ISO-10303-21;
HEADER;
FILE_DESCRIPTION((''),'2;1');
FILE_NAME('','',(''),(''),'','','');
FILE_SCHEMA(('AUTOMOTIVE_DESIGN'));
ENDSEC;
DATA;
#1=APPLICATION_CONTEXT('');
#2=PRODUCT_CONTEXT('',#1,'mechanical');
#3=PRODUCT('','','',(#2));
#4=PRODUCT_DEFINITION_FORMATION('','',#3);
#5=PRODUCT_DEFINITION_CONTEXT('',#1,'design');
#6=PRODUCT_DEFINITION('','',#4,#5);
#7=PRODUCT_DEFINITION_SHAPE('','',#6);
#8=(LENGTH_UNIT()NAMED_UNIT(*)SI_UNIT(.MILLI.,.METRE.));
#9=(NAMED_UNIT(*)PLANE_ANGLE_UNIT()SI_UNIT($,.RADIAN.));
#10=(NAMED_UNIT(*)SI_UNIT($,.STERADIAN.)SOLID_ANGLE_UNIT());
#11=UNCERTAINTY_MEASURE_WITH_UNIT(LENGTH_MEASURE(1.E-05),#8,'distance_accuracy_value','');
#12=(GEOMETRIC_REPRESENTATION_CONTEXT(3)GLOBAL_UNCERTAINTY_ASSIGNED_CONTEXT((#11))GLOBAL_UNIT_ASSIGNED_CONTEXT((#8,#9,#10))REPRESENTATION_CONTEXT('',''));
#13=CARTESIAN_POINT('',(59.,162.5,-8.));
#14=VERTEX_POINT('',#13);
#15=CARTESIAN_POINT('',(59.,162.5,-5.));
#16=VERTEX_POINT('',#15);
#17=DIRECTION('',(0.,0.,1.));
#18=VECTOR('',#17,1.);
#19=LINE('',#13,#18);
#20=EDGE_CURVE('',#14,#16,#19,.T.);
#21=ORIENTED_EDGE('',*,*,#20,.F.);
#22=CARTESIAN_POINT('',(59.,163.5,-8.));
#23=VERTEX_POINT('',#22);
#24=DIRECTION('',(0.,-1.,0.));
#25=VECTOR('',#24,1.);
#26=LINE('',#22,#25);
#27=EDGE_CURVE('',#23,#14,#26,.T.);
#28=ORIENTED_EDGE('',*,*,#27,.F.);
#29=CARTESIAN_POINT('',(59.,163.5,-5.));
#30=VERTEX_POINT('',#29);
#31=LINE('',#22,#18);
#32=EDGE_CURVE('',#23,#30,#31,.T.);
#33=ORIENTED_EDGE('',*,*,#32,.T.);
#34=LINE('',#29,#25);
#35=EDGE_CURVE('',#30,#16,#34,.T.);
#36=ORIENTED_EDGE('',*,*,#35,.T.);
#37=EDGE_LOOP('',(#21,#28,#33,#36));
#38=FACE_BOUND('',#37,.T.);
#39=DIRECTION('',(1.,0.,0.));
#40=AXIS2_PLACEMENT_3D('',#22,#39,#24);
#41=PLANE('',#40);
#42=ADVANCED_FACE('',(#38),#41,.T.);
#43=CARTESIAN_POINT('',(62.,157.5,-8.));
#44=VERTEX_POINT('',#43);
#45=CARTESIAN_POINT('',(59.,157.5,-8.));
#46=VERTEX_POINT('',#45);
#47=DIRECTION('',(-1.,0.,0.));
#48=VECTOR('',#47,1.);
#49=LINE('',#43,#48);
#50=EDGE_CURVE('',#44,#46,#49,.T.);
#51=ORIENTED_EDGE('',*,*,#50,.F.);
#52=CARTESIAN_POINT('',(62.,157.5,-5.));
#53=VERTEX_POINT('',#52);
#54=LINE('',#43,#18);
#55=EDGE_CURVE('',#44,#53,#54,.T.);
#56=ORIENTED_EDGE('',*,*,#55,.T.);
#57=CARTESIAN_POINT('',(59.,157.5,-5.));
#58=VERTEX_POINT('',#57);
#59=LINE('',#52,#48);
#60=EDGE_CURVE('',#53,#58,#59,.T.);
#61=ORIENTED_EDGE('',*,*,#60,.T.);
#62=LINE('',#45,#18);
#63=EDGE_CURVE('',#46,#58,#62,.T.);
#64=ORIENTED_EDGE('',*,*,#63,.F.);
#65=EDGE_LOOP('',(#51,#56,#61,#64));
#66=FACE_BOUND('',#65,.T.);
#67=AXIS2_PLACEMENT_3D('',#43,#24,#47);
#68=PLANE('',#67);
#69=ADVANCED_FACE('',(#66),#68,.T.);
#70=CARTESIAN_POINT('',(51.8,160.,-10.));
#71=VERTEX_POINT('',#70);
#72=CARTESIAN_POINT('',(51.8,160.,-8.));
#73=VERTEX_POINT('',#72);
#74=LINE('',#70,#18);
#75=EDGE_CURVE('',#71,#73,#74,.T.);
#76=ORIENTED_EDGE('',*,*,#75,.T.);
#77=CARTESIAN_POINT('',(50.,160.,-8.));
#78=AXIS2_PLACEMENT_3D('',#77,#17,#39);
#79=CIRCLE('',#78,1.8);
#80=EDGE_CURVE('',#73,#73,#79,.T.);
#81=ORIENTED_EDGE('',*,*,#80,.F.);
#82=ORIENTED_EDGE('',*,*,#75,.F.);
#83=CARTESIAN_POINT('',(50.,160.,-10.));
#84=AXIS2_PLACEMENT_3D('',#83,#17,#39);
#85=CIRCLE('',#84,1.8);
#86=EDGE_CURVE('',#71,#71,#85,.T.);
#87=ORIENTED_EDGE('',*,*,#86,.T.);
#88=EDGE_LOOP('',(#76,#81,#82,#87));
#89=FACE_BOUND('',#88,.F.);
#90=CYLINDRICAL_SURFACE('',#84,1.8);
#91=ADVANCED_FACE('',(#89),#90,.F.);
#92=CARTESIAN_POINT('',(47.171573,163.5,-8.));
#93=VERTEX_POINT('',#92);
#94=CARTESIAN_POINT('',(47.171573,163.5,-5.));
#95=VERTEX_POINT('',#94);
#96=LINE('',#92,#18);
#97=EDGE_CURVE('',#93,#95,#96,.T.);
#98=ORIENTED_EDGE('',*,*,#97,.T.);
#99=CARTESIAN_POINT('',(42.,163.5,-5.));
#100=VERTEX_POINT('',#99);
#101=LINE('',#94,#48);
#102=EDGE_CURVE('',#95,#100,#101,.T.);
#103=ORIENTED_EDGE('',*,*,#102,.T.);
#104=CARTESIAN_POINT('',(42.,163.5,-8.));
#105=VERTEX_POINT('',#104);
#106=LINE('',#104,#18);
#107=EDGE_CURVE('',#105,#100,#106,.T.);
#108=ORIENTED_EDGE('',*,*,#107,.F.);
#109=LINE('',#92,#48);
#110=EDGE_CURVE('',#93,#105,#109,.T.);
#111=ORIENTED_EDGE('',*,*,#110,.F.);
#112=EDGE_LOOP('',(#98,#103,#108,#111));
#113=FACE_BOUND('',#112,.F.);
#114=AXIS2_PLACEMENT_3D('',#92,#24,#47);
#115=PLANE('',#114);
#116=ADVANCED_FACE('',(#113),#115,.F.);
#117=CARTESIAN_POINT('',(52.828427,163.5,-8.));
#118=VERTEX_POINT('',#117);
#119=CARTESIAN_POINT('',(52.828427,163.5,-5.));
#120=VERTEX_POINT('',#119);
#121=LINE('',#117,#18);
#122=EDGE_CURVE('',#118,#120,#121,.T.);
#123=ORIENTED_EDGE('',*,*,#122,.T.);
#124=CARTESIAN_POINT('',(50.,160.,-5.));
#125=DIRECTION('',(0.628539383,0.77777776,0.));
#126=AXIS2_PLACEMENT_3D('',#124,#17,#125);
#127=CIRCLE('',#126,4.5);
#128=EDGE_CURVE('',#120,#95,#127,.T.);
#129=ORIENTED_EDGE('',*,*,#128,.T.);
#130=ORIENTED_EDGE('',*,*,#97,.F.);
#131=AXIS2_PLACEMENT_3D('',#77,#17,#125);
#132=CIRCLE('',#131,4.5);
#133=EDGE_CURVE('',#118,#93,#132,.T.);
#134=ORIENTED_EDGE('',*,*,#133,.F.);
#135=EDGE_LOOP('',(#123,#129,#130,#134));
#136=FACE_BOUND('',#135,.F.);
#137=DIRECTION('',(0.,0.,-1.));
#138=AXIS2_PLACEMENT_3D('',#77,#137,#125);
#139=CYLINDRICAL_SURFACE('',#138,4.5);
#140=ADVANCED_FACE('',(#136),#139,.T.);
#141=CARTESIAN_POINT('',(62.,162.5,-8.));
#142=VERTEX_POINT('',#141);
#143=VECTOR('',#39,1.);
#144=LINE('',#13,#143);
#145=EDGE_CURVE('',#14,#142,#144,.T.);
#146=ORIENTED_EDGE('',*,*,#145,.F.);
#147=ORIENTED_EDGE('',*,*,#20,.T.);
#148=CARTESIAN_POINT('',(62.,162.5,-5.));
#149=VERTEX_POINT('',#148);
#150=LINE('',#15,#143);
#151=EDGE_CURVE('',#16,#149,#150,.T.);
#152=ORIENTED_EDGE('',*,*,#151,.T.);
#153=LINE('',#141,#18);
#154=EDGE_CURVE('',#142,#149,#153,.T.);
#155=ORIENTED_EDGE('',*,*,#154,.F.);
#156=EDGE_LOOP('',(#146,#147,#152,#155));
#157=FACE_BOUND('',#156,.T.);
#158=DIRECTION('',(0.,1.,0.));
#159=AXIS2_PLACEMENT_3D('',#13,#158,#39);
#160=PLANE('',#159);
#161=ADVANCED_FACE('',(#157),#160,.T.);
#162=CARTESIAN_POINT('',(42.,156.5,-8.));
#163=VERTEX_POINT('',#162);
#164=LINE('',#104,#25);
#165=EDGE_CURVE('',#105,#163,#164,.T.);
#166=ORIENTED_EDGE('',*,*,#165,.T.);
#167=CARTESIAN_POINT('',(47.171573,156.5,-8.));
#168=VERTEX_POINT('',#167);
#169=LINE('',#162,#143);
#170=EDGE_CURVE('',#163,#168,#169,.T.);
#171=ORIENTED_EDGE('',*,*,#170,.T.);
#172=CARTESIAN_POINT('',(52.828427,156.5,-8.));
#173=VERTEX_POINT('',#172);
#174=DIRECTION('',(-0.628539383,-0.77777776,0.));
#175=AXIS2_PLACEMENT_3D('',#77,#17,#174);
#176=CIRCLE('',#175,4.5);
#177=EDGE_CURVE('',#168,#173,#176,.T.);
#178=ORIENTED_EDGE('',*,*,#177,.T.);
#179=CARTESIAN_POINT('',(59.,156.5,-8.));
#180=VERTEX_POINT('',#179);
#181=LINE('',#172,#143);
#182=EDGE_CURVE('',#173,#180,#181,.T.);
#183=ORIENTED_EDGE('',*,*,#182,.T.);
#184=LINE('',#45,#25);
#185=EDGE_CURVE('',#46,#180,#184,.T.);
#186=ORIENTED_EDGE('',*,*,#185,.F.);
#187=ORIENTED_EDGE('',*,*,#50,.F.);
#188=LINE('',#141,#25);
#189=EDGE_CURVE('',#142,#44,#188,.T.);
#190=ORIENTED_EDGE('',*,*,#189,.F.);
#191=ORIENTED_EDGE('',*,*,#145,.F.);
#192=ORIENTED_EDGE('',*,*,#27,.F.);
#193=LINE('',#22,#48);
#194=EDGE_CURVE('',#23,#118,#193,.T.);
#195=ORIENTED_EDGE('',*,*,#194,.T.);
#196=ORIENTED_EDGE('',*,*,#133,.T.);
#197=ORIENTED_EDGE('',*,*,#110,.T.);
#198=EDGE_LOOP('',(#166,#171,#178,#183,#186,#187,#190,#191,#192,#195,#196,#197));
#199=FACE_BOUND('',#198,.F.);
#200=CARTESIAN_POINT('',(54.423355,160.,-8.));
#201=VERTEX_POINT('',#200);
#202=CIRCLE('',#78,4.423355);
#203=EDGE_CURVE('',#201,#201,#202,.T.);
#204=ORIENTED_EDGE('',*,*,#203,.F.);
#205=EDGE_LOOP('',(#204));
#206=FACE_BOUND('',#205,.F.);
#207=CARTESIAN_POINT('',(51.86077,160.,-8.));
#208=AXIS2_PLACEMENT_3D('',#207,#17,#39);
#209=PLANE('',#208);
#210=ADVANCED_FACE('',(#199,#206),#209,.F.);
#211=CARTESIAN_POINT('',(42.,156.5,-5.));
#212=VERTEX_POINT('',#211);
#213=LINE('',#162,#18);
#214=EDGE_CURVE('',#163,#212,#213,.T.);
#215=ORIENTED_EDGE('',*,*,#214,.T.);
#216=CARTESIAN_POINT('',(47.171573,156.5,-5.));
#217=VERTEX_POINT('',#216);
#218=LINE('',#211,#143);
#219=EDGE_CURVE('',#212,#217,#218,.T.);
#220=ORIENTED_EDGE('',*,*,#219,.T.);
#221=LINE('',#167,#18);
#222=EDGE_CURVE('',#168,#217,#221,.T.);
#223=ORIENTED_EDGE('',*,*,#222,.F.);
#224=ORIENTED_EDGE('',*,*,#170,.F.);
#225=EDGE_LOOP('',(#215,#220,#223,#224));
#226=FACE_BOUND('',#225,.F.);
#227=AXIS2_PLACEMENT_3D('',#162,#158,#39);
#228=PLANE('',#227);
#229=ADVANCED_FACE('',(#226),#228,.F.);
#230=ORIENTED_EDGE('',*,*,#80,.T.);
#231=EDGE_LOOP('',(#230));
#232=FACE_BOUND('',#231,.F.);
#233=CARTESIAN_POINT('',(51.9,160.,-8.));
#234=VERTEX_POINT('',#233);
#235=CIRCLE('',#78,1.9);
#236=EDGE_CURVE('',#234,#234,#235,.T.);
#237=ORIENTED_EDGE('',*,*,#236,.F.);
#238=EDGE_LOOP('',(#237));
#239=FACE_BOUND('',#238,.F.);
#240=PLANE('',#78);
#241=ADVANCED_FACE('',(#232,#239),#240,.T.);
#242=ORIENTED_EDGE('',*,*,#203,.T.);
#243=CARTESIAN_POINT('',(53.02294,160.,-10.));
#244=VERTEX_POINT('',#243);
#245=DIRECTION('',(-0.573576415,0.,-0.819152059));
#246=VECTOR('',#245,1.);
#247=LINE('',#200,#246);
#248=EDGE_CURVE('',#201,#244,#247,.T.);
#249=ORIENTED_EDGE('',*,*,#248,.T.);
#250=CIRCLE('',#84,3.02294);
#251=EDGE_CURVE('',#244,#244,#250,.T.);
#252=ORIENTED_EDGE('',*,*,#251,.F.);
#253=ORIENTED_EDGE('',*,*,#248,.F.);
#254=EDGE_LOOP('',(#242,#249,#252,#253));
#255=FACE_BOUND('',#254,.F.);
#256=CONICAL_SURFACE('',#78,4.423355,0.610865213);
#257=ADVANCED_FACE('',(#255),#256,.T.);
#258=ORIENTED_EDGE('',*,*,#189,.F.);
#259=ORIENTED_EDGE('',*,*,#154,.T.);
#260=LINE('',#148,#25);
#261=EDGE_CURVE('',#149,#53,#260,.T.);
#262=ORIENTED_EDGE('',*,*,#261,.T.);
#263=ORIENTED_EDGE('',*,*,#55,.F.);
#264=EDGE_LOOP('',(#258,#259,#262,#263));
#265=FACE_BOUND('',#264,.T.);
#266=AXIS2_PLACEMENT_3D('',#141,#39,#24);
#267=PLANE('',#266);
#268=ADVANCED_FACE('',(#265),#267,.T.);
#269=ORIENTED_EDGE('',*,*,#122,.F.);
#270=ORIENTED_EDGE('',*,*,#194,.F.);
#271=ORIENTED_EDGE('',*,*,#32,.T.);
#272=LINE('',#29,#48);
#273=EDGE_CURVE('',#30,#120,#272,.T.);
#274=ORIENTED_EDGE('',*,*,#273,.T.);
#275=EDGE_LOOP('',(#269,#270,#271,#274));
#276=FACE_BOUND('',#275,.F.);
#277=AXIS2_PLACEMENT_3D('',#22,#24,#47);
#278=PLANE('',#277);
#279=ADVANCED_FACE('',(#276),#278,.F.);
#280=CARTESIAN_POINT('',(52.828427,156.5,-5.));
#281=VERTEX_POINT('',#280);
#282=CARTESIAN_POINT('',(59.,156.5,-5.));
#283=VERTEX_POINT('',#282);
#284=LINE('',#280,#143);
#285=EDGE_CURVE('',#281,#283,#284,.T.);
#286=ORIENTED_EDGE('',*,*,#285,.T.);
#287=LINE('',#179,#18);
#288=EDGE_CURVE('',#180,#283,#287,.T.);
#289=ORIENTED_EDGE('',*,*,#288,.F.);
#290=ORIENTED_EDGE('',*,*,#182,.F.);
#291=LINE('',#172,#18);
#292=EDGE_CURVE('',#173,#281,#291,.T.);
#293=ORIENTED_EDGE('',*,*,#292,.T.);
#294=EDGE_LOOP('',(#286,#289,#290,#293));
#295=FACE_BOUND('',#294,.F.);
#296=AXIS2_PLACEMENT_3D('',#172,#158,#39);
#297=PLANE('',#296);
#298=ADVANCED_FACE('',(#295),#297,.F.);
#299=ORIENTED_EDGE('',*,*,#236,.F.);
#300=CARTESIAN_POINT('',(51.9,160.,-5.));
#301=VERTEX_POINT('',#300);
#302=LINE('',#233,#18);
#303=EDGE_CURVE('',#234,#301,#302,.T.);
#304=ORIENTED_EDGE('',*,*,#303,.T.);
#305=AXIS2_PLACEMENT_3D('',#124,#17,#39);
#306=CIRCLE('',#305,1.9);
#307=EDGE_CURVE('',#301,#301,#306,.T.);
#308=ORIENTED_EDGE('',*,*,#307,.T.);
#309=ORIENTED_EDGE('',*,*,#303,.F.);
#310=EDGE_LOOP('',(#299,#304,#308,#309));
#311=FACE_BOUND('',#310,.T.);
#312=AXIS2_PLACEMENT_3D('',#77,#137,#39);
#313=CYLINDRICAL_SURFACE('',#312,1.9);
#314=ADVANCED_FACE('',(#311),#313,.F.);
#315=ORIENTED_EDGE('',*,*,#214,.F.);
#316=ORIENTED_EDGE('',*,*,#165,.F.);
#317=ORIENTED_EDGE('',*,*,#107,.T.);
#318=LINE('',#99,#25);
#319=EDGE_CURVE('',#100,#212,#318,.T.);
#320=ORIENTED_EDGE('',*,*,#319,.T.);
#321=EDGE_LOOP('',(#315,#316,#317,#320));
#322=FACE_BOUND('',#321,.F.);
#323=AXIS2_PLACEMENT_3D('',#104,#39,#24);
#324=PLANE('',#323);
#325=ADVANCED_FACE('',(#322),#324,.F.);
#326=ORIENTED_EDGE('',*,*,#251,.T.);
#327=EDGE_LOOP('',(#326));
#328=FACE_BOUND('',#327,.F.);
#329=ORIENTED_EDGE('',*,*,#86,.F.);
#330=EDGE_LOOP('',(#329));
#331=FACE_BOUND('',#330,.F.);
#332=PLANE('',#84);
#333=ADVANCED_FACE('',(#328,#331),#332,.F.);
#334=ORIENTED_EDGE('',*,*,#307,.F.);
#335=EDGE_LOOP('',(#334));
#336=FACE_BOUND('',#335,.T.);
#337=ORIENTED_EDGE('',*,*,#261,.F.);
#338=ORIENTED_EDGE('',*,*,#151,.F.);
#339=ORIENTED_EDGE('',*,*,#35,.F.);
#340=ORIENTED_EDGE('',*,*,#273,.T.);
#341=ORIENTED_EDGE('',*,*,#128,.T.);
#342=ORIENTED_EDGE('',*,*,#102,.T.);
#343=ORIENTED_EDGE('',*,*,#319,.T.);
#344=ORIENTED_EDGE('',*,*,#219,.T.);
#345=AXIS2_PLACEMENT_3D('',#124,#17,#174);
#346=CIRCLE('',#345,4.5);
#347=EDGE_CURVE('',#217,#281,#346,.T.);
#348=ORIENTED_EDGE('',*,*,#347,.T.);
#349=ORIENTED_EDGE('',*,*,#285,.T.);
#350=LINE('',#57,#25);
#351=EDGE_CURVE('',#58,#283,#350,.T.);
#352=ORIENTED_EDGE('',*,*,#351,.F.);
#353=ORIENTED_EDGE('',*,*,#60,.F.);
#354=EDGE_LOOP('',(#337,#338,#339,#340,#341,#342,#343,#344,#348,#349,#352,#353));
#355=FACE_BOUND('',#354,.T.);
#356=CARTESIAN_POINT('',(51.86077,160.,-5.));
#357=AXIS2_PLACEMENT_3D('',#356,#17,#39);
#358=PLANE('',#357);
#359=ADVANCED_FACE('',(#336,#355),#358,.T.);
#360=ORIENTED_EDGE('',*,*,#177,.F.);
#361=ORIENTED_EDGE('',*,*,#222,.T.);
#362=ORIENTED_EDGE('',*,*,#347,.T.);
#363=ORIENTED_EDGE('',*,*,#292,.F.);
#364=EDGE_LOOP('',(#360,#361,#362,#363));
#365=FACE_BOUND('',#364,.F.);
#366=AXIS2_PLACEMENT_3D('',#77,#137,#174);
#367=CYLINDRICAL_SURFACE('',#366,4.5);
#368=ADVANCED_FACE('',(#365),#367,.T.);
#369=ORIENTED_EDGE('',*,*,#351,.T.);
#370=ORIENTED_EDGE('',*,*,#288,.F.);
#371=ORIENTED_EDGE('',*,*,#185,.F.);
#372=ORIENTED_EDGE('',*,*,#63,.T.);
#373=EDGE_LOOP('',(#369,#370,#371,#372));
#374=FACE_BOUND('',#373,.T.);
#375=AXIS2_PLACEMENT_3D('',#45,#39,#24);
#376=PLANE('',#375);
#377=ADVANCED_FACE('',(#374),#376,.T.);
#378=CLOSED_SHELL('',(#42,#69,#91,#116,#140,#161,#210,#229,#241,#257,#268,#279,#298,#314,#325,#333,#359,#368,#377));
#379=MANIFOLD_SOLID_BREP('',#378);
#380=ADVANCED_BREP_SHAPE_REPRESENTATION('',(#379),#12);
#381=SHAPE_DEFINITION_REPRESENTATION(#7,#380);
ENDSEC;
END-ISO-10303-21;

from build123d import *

# Parameters (mm, degrees)
SKETCH146_R  = 1.9
PAD114_DEPTH = 3


with BuildPart() as innerbearingrace:
    # Sketch144 → Revolution005 (revolve)
    with BuildSketch(Plane(origin=(50, 160, -10), x_dir=(1, 0, 0), z_dir=(0, -1, 0))):
        Polygon((4.423355, 2), (3.02294, 0), (1.8, 0), (1.8, 2), align=None)
    revolve(axis=Axis((50, 160, -10), (0, 0, 1)))


with BuildPart() as steeringrod_long:
    # Sketch146 → Pad114 (new body)
    with BuildSketch(Plane(origin=(50, 160, -8), x_dir=(1, 0, 0), z_dir=(0, 0, 1))):
        with BuildLine():
            Line((9, 3.5), (2.828427, 3.5))
            ThreePointArc((2.828427, 3.5), (0, 4.5), (-2.828427, 3.5))
            Line((-2.828427, 3.5), (-8, 3.5))
            Line((-8, 3.5), (-8, -3.5))
            Line((-8, -3.5), (-2.828427, -3.5))
            ThreePointArc((-2.828427, -3.5), (0, -4.5), (2.828427, -3.5))
            Line((2.828427, -3.5), (9, -3.5))
            Line((9, -2.5), (9, -3.5))
            Line((12, -2.5), (9, -2.5))
            Line((12, 2.5), (12, -2.5))
            Line((9, 2.5), (12, 2.5))
            Line((9, 3.5), (9, 2.5))
        make_face()
        Circle(SKETCH146_R, mode=Mode.SUBTRACT)
    extrude(amount=PAD114_DEPTH)

    # Fusion004020022: union InnerBearingRace
    add(innerbearingrace.part)


solid = steeringrod_long.part
